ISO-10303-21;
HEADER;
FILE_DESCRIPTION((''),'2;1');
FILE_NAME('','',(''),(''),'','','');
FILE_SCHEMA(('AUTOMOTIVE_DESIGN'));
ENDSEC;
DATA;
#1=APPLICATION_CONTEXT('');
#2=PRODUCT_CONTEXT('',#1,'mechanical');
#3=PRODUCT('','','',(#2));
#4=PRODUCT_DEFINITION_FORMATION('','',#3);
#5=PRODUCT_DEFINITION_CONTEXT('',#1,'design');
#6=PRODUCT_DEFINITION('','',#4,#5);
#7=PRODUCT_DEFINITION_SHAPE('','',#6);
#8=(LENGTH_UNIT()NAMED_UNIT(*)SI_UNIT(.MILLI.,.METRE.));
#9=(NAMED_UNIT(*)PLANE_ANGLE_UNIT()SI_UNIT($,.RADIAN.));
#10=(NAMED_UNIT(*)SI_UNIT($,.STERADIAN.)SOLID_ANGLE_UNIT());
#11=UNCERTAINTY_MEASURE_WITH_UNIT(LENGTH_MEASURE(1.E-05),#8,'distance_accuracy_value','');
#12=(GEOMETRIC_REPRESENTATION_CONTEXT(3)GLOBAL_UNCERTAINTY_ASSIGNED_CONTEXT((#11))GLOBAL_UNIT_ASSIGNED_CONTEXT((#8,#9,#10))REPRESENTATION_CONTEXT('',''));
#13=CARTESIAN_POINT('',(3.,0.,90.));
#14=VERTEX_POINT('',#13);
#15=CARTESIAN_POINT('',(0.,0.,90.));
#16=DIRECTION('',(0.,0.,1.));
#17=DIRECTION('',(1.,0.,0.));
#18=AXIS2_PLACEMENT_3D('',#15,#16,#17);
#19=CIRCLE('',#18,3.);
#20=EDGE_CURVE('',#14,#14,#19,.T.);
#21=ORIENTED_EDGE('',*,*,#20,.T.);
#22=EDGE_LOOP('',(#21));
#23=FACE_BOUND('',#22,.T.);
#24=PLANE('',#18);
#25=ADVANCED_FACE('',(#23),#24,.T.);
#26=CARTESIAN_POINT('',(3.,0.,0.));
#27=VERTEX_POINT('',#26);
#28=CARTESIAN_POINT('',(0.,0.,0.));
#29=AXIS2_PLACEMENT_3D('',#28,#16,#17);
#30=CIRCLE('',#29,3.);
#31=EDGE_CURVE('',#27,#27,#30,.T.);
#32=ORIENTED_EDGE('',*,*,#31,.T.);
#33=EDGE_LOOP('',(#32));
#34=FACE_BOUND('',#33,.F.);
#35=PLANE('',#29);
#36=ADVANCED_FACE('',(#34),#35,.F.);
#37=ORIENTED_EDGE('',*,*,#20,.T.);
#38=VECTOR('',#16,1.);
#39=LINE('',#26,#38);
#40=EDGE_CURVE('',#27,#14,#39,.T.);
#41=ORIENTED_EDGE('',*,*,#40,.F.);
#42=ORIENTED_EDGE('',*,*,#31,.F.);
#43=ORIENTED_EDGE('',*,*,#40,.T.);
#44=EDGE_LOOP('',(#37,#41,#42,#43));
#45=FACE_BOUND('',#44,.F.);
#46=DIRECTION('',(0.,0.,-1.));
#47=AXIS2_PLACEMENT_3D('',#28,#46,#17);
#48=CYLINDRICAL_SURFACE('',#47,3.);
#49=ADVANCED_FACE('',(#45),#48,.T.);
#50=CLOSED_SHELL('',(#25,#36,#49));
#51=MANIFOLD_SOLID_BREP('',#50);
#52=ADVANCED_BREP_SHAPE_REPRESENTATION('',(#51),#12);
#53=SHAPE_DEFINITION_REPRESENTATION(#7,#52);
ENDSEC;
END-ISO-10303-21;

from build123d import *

# Parameters (mm, degrees)
SKETCH_R  = 3
PAD_DEPTH = 90


with BuildPart() as part:
    # Sketch → Pad (new body)
    with BuildSketch(Plane.XY):
        Circle(SKETCH_R)
    extrude(amount=PAD_DEPTH)


solid = part.part
